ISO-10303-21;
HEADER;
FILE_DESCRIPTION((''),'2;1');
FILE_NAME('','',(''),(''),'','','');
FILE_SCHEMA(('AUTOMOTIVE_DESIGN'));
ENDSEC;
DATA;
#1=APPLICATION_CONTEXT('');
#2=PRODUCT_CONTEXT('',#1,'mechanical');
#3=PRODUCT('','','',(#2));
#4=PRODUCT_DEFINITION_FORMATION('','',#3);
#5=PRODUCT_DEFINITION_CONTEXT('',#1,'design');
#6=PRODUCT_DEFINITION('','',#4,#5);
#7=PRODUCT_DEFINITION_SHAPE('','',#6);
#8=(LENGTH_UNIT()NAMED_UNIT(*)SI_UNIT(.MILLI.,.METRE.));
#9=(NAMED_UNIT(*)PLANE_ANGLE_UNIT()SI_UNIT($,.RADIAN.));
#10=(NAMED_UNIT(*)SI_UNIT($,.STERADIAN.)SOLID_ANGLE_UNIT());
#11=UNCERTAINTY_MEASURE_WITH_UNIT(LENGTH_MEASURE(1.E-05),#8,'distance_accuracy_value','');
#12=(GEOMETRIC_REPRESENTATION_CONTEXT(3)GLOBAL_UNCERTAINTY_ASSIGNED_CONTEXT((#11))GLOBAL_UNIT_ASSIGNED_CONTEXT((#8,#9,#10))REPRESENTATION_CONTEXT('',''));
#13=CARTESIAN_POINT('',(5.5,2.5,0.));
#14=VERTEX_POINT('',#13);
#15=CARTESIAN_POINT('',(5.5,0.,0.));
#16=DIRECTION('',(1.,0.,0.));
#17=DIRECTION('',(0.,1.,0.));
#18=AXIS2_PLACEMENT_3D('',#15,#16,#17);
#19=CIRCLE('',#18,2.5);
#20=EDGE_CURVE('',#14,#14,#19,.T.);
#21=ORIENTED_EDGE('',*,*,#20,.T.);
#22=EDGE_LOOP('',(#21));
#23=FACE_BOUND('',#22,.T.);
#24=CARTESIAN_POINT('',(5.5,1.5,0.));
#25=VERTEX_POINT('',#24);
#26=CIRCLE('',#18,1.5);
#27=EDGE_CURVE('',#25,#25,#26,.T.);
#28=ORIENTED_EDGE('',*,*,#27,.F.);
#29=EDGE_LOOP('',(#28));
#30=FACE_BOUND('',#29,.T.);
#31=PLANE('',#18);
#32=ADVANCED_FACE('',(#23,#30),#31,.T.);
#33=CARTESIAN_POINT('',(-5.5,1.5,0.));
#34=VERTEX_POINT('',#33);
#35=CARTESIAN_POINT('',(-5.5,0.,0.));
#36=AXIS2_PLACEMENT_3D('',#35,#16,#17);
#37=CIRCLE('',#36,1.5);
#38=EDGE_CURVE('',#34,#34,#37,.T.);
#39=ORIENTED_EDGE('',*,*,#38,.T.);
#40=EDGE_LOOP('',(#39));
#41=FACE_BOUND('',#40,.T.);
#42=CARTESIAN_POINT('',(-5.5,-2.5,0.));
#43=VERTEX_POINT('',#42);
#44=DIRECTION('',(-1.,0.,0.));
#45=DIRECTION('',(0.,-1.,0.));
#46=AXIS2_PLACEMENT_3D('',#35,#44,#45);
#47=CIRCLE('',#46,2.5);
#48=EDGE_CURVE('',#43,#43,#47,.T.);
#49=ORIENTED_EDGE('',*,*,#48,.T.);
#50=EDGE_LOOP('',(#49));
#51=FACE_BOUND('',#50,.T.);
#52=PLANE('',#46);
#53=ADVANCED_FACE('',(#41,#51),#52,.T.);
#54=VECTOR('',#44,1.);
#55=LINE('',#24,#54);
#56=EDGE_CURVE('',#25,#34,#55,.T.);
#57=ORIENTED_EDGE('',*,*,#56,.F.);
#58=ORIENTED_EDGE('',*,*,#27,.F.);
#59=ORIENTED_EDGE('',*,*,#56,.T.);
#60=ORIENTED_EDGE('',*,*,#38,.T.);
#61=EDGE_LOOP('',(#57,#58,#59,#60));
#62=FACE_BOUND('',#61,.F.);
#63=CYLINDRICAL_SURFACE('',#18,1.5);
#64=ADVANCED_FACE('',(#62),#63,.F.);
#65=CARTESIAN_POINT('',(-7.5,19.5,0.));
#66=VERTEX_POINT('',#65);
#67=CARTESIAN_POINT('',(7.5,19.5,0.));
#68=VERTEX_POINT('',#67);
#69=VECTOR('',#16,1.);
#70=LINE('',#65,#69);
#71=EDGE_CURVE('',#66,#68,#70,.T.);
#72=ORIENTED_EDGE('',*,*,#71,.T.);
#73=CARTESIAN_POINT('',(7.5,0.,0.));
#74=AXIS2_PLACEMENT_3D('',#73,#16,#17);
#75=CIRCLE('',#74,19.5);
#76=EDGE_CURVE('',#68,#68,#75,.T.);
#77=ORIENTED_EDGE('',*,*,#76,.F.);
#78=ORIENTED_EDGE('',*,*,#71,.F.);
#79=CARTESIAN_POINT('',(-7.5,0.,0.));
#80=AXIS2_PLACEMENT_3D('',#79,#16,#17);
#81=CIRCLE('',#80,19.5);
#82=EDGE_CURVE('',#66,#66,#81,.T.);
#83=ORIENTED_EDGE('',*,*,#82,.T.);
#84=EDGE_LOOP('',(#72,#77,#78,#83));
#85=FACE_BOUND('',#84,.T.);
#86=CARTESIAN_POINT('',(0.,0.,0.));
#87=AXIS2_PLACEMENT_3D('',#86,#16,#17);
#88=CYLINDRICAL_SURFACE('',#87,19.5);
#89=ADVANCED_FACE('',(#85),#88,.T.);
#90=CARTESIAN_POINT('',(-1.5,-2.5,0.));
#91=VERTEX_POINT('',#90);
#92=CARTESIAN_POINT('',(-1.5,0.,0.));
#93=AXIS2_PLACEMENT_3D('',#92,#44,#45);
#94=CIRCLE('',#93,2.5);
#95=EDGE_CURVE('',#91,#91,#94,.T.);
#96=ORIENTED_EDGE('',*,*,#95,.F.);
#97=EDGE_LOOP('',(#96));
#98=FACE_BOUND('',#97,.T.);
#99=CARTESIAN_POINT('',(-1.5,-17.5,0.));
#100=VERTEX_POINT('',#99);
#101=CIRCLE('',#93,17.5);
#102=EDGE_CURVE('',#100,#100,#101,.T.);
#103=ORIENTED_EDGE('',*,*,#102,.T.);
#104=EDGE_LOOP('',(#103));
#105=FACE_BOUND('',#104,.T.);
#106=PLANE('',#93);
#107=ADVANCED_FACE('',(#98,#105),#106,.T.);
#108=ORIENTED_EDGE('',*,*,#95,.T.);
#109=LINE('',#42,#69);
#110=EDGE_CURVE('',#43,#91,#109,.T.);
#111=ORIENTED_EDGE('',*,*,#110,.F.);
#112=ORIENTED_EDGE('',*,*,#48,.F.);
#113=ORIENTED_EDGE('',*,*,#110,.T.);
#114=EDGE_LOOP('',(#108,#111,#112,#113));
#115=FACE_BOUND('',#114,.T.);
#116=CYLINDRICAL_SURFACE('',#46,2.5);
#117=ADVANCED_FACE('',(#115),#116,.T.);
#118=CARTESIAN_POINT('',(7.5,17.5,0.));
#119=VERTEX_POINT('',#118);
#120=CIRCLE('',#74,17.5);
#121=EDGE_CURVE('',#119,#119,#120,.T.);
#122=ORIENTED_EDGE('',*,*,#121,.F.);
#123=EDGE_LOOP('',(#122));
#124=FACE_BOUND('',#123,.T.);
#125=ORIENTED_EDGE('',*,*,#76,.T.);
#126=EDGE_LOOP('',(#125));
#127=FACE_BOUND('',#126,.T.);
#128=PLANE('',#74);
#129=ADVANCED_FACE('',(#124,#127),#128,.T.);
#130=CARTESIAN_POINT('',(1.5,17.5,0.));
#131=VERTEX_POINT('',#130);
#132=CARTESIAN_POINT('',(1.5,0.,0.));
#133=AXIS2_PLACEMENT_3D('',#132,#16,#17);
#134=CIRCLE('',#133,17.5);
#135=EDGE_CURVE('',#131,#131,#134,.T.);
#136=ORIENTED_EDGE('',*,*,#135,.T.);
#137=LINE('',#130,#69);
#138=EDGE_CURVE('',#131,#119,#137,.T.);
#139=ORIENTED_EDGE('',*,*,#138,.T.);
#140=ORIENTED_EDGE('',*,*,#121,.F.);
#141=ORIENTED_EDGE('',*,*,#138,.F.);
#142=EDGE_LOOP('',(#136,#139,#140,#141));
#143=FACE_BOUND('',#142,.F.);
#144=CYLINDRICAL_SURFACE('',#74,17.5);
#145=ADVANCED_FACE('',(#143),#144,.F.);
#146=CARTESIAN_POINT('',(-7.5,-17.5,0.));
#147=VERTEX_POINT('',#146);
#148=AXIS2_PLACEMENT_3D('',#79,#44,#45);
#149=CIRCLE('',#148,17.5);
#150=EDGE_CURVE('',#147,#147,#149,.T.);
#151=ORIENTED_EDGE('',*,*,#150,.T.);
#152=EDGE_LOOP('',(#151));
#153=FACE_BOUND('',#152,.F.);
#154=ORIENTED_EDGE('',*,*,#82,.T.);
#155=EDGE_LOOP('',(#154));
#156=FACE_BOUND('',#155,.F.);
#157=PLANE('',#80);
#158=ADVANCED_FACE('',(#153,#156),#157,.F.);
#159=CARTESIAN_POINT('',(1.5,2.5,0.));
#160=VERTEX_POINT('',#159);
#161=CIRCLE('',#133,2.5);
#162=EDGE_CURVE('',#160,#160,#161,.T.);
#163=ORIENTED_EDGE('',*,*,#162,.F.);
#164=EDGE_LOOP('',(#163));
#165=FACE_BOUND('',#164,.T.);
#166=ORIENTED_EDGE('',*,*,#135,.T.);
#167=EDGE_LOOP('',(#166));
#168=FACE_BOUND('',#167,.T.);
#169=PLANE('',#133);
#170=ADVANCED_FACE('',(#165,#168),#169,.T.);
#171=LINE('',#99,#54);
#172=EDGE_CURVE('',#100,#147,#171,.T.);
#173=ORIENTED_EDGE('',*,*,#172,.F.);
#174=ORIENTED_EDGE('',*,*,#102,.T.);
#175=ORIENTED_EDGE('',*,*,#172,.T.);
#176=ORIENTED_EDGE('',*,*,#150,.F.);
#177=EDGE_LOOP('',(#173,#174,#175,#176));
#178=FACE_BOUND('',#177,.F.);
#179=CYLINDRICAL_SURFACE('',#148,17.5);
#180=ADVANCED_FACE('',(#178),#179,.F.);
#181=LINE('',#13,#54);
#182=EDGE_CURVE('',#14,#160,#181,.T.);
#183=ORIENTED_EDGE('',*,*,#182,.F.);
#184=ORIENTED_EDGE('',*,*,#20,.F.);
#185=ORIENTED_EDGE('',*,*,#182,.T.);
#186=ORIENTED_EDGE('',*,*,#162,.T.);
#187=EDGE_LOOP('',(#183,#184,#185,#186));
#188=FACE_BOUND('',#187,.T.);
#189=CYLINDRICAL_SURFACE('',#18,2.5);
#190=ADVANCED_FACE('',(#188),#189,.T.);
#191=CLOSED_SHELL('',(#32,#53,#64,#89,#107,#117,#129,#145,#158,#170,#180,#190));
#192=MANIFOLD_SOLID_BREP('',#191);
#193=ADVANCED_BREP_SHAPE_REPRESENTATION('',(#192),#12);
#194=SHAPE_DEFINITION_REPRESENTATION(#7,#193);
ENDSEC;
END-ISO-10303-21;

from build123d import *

# Parameters (mm, degrees)
F0_R      = 19.5
F1_DEPTH  = 7.5
F3_R      = 17.5
F4_DEPTH  = 2
F2_R      = 17.5
F5_DEPTH  = 2
F6_R      = 1.5
F7_DEPTH  = 25
F8_R      = 17.5
F8_R_2    = 2.5
F9_DEPTH  = 4
F10_R     = 17.5
F10_R_2   = 2.5
F11_DEPTH = 4


with BuildPart() as f1:
    # F0 (on Right) → F1 (new body, symmetric)
    with BuildSketch(Plane.YZ):
        Circle(F0_R)
    extrude(amount=F1_DEPTH, both=True)

    # F3 (on face) → F4 (cut)
    with BuildSketch(Plane(origin=(-7.5, 0, 0), x_dir=(0, -1, 0), z_dir=(-1, 0, 0))):
        Circle(F3_R)
    extrude(amount=-F4_DEPTH, mode=Mode.SUBTRACT)

    # F2 (on face) → F5 (cut)
    with BuildSketch(Plane.YZ.offset(7.5)):
        Circle(F2_R)
    extrude(amount=-F5_DEPTH, mode=Mode.SUBTRACT)

    # F6 (on face) → F7 (cut)
    with BuildSketch(Plane.YZ.offset(5.5)):
        Circle(F6_R)
    extrude(amount=-F7_DEPTH, mode=Mode.SUBTRACT)

    # F8 (on face) → F9 (cut)
    with BuildSketch(Plane.YZ.offset(5.5)):
        Circle(F8_R)
        Circle(F8_R_2, mode=Mode.SUBTRACT)
    extrude(amount=-F9_DEPTH, mode=Mode.SUBTRACT)

    # F10 (on face) → F11 (cut)
    with BuildSketch(Plane(origin=(-5.5, 0, 0), x_dir=(0, -1, 0), z_dir=(-1, 0, 0))):
        Circle(F10_R)
        Circle(F10_R_2, mode=Mode.SUBTRACT)
    extrude(amount=-F11_DEPTH, mode=Mode.SUBTRACT)


solid = f1.part
